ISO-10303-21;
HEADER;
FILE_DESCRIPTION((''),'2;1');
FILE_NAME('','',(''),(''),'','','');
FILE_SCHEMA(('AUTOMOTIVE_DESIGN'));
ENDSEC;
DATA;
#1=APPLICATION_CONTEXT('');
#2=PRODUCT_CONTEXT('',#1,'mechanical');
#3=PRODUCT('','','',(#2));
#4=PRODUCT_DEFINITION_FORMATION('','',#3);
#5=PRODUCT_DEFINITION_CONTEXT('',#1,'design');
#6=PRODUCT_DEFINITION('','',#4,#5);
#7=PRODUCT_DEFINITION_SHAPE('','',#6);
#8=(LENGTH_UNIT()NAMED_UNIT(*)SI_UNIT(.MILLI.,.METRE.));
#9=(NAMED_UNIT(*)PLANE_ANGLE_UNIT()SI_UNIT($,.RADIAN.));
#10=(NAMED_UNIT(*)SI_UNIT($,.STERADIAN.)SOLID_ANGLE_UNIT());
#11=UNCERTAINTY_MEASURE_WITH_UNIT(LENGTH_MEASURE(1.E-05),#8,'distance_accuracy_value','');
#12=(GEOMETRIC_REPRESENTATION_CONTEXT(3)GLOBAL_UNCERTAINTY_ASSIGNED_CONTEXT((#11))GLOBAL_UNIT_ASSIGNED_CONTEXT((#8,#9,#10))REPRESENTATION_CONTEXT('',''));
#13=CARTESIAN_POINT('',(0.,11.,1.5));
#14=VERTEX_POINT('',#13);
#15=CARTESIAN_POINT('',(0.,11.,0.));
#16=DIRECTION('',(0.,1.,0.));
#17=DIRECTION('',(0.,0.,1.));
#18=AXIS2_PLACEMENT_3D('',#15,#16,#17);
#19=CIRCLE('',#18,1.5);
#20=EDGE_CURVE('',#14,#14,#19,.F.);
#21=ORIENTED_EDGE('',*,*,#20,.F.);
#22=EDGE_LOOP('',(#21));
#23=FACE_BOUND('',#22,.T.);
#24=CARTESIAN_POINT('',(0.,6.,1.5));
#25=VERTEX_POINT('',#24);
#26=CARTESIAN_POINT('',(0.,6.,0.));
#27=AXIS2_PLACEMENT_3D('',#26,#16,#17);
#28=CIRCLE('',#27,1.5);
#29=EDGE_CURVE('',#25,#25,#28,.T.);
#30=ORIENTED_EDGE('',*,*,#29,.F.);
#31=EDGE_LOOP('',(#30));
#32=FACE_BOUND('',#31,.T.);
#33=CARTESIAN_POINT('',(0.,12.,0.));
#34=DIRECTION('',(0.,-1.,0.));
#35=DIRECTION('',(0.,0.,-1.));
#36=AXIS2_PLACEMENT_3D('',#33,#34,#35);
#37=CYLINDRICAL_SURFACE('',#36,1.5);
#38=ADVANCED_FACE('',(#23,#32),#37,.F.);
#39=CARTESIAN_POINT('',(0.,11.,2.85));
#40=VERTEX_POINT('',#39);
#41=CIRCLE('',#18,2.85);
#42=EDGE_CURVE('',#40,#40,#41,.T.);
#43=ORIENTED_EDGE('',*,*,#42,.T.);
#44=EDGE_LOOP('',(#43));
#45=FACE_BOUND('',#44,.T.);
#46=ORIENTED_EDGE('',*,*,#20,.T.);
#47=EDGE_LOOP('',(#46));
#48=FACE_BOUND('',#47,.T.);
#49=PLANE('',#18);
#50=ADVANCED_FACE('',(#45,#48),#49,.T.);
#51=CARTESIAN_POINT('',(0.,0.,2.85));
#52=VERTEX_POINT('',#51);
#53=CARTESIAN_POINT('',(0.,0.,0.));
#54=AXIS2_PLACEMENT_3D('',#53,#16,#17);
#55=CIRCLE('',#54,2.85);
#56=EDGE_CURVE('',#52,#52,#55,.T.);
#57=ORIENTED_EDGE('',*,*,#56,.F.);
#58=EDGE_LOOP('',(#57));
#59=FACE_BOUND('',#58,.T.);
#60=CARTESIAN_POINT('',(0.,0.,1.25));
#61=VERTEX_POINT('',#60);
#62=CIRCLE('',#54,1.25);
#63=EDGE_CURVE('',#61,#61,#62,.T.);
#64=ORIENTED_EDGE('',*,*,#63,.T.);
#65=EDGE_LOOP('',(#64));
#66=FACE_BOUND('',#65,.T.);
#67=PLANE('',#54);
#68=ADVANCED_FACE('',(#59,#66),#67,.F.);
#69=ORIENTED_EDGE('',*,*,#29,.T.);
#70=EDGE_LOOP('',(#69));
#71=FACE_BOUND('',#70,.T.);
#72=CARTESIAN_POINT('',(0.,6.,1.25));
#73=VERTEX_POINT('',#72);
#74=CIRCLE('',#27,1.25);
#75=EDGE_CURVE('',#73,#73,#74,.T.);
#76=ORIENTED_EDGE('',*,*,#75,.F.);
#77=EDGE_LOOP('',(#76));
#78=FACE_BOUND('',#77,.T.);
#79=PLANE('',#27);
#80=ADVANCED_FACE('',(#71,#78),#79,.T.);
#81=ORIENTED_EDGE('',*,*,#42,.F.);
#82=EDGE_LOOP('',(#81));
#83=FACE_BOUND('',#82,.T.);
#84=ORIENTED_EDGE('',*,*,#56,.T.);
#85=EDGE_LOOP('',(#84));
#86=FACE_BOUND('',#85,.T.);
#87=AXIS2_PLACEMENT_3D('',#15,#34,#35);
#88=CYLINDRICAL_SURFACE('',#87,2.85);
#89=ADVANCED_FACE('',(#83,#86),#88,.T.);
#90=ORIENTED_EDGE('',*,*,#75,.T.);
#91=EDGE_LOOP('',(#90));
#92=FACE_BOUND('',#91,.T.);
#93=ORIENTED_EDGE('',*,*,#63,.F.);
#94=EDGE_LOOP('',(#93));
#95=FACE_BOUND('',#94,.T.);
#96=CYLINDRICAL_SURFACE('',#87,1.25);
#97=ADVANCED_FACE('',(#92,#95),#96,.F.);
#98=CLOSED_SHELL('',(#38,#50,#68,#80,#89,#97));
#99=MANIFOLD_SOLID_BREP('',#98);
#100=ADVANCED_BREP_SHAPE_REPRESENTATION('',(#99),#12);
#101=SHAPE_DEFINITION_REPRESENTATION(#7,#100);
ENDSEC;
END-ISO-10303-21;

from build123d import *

# Parameters (mm, degrees)
SKETCH1_R           = 2.85
SKETCH1_R_2         = 1.25
BOSS_EXTRUDE1_DEPTH = 11
CUT_EXTRUDE1_START  = 6
SKETCH2_R           = 1.5
CUT_EXTRUDE1_DEPTH  = 6


with BuildPart() as part:
    # Sketch1 → Boss-Extrude1 (new body)
    with BuildSketch(Plane(origin=(0, 0, 0), x_dir=(1, 0, 0), z_dir=(0, 1, 0))):
        with Locations(Location((0, 0, 0), (0, 0, 270))):
            Circle(SKETCH1_R)
        with Locations(Location((0, 0, 0), (0, 0, 270))):
            Circle(SKETCH1_R_2, mode=Mode.SUBTRACT)
    extrude(amount=BOSS_EXTRUDE1_DEPTH)

    # Sketch2 → Cut-Extrude1 (cut)
    with BuildSketch(Plane(origin=(0, 0, 0), x_dir=(1, 0, 0), z_dir=(0, 1, 0)).offset(CUT_EXTRUDE1_START)):
        with Locations(Location((0, 0, 0), (0, 0, 270))):
            Circle(SKETCH2_R)
    extrude(amount=CUT_EXTRUDE1_DEPTH, mode=Mode.SUBTRACT)


solid = part.part
